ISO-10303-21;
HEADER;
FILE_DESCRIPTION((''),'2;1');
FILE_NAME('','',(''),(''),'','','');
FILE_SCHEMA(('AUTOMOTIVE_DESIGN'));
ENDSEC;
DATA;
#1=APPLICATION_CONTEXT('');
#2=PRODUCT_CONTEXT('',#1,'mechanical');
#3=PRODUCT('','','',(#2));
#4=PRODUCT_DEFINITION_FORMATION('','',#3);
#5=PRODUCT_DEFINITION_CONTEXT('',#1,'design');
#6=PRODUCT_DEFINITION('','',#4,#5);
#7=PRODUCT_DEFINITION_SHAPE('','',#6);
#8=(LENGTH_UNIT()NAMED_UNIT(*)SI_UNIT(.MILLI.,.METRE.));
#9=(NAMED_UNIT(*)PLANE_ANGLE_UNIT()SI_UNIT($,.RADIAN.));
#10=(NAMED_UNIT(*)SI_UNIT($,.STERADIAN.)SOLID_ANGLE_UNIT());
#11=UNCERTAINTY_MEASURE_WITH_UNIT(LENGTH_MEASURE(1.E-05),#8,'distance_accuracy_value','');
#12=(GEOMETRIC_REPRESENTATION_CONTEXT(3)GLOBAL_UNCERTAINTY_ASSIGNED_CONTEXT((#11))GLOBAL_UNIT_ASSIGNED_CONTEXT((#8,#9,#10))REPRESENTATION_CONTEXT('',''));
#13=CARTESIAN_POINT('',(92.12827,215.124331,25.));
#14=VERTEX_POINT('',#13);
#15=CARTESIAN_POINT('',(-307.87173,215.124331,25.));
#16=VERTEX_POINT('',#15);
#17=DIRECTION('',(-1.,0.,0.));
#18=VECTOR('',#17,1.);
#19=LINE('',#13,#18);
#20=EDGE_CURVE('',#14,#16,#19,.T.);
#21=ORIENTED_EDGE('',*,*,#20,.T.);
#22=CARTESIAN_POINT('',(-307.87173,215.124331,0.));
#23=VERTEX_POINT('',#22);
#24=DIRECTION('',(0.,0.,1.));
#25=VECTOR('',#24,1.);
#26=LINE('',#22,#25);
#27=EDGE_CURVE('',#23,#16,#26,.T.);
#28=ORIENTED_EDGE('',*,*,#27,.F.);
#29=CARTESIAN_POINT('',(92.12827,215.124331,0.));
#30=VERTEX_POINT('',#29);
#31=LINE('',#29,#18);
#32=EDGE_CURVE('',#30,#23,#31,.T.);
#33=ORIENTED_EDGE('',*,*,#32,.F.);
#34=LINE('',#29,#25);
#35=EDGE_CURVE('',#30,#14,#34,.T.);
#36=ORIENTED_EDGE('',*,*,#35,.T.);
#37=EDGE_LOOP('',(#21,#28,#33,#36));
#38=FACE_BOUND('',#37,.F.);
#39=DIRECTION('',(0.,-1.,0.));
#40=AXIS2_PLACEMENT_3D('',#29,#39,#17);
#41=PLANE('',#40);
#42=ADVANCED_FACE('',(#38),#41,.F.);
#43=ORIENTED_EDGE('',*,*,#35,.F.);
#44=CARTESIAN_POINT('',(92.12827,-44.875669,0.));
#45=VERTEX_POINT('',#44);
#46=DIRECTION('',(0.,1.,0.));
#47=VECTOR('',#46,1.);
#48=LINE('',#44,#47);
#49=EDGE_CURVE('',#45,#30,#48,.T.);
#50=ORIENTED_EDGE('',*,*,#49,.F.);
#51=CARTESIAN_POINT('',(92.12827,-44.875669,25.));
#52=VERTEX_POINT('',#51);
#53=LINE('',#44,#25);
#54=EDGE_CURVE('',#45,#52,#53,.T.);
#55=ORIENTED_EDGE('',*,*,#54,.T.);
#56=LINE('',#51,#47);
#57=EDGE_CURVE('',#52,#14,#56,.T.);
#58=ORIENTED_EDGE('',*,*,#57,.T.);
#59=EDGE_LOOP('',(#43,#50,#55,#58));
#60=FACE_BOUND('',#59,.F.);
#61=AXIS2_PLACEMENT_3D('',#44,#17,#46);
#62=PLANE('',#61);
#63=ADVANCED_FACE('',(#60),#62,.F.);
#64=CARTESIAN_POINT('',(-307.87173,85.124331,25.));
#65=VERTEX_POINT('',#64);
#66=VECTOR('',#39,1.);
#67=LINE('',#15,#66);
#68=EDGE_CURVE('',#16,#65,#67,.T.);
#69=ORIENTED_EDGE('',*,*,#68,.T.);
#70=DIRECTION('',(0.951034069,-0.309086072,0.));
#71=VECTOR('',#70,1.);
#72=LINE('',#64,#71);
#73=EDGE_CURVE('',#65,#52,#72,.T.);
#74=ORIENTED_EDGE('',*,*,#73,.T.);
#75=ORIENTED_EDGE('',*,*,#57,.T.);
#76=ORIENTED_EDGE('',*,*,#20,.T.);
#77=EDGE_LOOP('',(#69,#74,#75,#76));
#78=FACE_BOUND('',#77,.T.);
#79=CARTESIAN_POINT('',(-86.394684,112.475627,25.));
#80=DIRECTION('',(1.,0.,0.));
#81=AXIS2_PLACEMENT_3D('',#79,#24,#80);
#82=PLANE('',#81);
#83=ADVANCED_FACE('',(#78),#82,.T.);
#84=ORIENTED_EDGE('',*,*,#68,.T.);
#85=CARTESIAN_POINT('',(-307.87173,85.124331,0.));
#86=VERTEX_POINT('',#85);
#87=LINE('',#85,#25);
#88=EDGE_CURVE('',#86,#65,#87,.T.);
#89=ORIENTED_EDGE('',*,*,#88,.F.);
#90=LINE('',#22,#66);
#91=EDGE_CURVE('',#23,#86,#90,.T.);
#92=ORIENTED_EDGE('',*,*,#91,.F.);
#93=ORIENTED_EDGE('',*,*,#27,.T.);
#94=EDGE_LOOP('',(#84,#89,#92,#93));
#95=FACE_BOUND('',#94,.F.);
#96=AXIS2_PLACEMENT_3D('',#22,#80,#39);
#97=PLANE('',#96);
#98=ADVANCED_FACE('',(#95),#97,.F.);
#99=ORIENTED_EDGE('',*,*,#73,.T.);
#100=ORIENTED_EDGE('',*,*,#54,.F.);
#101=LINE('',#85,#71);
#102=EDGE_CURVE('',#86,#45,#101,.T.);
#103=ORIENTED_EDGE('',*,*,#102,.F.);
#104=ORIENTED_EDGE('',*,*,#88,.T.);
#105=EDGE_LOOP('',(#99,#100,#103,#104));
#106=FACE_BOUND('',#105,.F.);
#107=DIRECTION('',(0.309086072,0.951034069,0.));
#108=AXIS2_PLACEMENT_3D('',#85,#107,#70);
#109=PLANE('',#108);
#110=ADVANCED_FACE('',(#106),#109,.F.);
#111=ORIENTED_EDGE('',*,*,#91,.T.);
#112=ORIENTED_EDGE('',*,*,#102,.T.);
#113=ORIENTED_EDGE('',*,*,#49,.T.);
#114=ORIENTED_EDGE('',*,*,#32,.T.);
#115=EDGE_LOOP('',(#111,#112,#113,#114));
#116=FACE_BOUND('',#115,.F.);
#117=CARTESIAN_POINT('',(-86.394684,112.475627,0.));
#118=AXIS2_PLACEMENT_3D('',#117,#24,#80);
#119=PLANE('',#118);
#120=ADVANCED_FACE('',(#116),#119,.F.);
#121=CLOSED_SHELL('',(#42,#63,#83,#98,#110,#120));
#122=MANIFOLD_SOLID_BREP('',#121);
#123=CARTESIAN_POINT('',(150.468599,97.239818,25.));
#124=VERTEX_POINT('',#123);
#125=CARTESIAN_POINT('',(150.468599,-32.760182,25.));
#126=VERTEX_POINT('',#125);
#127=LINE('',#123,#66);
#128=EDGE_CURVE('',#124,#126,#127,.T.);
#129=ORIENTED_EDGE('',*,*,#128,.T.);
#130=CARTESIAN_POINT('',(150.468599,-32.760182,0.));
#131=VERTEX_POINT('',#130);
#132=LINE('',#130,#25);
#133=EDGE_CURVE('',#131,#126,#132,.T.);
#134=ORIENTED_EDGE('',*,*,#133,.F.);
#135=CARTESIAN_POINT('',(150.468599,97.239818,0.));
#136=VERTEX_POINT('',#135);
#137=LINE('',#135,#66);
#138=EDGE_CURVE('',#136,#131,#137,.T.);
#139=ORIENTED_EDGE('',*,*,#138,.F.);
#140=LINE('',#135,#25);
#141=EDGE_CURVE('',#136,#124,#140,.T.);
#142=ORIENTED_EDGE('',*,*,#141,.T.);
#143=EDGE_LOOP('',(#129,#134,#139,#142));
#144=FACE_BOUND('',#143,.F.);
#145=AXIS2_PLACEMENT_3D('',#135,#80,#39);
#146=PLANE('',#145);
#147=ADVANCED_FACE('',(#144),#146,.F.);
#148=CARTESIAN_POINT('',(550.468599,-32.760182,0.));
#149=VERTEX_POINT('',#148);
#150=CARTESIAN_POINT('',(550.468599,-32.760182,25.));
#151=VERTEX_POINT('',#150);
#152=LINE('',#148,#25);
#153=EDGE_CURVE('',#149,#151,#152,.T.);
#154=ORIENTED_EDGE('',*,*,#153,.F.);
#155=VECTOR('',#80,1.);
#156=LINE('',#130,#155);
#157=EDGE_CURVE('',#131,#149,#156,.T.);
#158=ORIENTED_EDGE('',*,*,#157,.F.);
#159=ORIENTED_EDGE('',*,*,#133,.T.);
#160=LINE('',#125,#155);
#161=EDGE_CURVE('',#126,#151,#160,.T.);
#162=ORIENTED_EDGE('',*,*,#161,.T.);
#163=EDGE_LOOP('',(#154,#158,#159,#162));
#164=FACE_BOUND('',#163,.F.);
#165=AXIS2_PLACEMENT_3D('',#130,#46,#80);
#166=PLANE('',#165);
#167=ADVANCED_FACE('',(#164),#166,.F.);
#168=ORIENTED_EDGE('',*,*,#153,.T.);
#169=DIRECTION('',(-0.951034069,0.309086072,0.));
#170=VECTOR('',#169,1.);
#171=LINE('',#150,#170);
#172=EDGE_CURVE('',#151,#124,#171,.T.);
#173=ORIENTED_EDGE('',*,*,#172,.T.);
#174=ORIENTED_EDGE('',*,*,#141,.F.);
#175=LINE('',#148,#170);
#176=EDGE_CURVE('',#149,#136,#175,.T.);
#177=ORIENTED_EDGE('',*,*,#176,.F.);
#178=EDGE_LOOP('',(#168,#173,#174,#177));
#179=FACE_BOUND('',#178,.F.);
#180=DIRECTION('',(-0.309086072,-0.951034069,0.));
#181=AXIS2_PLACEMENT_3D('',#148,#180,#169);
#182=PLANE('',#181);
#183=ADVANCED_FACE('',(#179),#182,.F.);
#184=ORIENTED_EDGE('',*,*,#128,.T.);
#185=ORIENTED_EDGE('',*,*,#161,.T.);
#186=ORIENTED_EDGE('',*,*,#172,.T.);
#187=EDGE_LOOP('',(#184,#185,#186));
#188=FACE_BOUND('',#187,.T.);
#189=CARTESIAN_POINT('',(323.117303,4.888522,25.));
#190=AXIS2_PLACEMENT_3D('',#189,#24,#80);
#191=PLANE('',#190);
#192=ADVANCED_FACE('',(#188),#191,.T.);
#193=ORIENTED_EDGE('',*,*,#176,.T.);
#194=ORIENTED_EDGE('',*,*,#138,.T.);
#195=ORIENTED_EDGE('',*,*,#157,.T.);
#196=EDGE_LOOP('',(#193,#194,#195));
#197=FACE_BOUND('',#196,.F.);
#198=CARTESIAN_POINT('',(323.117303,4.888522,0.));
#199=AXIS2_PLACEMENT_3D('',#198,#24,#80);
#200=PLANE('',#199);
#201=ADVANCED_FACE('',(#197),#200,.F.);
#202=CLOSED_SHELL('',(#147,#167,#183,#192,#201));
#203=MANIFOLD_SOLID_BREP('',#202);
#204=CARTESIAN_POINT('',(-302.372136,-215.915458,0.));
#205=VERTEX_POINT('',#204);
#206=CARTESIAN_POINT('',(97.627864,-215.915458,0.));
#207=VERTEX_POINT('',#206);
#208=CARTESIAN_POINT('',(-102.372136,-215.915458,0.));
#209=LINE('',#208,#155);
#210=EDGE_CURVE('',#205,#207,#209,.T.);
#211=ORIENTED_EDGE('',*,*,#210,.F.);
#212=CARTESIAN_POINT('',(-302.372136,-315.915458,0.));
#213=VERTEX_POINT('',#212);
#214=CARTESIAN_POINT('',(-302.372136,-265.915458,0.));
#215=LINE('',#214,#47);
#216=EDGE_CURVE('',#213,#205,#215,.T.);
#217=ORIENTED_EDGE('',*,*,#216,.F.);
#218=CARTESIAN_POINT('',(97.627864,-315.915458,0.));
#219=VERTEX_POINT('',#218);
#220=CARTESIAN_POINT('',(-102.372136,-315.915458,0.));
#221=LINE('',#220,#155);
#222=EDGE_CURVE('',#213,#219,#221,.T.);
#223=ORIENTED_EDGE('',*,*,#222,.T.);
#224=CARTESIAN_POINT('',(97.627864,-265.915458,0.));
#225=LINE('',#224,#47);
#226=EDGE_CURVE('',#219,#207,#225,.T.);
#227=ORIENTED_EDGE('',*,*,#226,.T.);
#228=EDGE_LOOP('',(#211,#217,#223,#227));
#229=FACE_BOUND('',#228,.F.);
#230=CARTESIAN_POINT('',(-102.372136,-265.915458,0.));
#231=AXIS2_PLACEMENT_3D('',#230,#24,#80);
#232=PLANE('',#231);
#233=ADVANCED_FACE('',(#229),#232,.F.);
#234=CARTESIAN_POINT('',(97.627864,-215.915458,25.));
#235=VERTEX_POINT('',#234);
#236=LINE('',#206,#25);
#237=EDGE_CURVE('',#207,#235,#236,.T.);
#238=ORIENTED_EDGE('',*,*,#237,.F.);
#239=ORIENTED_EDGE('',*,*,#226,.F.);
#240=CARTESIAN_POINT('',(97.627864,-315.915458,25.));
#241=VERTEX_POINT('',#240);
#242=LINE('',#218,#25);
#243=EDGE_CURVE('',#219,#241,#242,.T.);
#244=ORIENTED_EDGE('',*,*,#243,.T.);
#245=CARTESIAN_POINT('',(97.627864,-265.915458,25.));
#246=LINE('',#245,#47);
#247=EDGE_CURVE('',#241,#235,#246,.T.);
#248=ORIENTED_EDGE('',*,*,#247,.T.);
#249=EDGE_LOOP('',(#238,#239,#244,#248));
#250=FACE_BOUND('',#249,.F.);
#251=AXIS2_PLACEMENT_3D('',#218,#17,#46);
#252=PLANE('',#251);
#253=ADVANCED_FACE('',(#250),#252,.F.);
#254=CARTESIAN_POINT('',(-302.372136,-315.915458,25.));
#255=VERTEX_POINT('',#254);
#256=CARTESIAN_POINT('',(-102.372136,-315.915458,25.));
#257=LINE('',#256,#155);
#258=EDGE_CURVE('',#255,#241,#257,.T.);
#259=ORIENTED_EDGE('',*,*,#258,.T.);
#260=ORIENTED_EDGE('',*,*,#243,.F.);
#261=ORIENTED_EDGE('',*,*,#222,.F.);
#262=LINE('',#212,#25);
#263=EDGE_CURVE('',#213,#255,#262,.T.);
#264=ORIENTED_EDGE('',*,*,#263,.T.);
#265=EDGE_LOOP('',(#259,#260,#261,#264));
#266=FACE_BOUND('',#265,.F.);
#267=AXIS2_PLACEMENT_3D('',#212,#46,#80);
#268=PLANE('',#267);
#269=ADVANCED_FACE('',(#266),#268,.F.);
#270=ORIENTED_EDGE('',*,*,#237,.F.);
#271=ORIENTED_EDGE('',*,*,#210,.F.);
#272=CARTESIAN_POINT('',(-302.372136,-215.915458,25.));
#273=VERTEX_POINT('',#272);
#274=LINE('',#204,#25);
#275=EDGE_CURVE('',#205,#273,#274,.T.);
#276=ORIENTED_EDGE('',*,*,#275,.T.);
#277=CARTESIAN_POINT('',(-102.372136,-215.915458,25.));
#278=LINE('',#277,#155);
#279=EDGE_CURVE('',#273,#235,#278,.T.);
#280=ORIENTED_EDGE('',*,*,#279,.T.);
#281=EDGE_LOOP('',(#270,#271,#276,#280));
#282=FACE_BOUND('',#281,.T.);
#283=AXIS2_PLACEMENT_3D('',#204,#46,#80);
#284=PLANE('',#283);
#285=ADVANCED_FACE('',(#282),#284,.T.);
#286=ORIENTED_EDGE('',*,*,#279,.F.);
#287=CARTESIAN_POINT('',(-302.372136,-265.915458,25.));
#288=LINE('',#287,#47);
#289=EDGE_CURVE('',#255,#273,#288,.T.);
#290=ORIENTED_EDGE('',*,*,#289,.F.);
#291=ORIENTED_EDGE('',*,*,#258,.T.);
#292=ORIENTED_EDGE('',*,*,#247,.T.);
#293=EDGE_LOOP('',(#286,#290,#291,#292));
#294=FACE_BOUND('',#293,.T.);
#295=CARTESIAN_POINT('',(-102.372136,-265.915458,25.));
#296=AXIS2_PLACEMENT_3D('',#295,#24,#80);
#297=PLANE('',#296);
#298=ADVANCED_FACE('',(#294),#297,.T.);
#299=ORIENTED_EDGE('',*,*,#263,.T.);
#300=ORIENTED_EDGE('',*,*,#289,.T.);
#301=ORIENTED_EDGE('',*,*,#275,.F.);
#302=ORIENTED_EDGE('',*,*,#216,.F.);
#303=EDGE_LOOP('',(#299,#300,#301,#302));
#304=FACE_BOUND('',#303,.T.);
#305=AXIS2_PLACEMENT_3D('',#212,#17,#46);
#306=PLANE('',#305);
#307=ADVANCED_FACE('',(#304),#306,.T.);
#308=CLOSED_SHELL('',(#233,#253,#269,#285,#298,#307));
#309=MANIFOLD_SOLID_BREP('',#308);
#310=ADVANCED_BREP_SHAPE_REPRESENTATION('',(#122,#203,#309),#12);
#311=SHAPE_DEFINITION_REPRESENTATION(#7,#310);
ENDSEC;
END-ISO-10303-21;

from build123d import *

# Parameters (mm, degrees)
F0_W     = 400
F0_H     = 100
F1_DEPTH = 25


with BuildPart() as f1:
    # F0 (on Top) → F1 (new body)
    with BuildSketch(Plane.XY):
        with Locations((-102.372136, -265.915458)):
            Rectangle(F0_W, F0_H)
        Polygon((92.12827, 215.124331), (-307.87173, 215.124331), (-307.87173, 85.124331), (92.12827, -44.875669), align=None)
        Polygon((150.468599, 97.239818), (150.468599, -32.760182), (550.468599, -32.760182), align=None)
    extrude(amount=F1_DEPTH)


solid = f1.part
